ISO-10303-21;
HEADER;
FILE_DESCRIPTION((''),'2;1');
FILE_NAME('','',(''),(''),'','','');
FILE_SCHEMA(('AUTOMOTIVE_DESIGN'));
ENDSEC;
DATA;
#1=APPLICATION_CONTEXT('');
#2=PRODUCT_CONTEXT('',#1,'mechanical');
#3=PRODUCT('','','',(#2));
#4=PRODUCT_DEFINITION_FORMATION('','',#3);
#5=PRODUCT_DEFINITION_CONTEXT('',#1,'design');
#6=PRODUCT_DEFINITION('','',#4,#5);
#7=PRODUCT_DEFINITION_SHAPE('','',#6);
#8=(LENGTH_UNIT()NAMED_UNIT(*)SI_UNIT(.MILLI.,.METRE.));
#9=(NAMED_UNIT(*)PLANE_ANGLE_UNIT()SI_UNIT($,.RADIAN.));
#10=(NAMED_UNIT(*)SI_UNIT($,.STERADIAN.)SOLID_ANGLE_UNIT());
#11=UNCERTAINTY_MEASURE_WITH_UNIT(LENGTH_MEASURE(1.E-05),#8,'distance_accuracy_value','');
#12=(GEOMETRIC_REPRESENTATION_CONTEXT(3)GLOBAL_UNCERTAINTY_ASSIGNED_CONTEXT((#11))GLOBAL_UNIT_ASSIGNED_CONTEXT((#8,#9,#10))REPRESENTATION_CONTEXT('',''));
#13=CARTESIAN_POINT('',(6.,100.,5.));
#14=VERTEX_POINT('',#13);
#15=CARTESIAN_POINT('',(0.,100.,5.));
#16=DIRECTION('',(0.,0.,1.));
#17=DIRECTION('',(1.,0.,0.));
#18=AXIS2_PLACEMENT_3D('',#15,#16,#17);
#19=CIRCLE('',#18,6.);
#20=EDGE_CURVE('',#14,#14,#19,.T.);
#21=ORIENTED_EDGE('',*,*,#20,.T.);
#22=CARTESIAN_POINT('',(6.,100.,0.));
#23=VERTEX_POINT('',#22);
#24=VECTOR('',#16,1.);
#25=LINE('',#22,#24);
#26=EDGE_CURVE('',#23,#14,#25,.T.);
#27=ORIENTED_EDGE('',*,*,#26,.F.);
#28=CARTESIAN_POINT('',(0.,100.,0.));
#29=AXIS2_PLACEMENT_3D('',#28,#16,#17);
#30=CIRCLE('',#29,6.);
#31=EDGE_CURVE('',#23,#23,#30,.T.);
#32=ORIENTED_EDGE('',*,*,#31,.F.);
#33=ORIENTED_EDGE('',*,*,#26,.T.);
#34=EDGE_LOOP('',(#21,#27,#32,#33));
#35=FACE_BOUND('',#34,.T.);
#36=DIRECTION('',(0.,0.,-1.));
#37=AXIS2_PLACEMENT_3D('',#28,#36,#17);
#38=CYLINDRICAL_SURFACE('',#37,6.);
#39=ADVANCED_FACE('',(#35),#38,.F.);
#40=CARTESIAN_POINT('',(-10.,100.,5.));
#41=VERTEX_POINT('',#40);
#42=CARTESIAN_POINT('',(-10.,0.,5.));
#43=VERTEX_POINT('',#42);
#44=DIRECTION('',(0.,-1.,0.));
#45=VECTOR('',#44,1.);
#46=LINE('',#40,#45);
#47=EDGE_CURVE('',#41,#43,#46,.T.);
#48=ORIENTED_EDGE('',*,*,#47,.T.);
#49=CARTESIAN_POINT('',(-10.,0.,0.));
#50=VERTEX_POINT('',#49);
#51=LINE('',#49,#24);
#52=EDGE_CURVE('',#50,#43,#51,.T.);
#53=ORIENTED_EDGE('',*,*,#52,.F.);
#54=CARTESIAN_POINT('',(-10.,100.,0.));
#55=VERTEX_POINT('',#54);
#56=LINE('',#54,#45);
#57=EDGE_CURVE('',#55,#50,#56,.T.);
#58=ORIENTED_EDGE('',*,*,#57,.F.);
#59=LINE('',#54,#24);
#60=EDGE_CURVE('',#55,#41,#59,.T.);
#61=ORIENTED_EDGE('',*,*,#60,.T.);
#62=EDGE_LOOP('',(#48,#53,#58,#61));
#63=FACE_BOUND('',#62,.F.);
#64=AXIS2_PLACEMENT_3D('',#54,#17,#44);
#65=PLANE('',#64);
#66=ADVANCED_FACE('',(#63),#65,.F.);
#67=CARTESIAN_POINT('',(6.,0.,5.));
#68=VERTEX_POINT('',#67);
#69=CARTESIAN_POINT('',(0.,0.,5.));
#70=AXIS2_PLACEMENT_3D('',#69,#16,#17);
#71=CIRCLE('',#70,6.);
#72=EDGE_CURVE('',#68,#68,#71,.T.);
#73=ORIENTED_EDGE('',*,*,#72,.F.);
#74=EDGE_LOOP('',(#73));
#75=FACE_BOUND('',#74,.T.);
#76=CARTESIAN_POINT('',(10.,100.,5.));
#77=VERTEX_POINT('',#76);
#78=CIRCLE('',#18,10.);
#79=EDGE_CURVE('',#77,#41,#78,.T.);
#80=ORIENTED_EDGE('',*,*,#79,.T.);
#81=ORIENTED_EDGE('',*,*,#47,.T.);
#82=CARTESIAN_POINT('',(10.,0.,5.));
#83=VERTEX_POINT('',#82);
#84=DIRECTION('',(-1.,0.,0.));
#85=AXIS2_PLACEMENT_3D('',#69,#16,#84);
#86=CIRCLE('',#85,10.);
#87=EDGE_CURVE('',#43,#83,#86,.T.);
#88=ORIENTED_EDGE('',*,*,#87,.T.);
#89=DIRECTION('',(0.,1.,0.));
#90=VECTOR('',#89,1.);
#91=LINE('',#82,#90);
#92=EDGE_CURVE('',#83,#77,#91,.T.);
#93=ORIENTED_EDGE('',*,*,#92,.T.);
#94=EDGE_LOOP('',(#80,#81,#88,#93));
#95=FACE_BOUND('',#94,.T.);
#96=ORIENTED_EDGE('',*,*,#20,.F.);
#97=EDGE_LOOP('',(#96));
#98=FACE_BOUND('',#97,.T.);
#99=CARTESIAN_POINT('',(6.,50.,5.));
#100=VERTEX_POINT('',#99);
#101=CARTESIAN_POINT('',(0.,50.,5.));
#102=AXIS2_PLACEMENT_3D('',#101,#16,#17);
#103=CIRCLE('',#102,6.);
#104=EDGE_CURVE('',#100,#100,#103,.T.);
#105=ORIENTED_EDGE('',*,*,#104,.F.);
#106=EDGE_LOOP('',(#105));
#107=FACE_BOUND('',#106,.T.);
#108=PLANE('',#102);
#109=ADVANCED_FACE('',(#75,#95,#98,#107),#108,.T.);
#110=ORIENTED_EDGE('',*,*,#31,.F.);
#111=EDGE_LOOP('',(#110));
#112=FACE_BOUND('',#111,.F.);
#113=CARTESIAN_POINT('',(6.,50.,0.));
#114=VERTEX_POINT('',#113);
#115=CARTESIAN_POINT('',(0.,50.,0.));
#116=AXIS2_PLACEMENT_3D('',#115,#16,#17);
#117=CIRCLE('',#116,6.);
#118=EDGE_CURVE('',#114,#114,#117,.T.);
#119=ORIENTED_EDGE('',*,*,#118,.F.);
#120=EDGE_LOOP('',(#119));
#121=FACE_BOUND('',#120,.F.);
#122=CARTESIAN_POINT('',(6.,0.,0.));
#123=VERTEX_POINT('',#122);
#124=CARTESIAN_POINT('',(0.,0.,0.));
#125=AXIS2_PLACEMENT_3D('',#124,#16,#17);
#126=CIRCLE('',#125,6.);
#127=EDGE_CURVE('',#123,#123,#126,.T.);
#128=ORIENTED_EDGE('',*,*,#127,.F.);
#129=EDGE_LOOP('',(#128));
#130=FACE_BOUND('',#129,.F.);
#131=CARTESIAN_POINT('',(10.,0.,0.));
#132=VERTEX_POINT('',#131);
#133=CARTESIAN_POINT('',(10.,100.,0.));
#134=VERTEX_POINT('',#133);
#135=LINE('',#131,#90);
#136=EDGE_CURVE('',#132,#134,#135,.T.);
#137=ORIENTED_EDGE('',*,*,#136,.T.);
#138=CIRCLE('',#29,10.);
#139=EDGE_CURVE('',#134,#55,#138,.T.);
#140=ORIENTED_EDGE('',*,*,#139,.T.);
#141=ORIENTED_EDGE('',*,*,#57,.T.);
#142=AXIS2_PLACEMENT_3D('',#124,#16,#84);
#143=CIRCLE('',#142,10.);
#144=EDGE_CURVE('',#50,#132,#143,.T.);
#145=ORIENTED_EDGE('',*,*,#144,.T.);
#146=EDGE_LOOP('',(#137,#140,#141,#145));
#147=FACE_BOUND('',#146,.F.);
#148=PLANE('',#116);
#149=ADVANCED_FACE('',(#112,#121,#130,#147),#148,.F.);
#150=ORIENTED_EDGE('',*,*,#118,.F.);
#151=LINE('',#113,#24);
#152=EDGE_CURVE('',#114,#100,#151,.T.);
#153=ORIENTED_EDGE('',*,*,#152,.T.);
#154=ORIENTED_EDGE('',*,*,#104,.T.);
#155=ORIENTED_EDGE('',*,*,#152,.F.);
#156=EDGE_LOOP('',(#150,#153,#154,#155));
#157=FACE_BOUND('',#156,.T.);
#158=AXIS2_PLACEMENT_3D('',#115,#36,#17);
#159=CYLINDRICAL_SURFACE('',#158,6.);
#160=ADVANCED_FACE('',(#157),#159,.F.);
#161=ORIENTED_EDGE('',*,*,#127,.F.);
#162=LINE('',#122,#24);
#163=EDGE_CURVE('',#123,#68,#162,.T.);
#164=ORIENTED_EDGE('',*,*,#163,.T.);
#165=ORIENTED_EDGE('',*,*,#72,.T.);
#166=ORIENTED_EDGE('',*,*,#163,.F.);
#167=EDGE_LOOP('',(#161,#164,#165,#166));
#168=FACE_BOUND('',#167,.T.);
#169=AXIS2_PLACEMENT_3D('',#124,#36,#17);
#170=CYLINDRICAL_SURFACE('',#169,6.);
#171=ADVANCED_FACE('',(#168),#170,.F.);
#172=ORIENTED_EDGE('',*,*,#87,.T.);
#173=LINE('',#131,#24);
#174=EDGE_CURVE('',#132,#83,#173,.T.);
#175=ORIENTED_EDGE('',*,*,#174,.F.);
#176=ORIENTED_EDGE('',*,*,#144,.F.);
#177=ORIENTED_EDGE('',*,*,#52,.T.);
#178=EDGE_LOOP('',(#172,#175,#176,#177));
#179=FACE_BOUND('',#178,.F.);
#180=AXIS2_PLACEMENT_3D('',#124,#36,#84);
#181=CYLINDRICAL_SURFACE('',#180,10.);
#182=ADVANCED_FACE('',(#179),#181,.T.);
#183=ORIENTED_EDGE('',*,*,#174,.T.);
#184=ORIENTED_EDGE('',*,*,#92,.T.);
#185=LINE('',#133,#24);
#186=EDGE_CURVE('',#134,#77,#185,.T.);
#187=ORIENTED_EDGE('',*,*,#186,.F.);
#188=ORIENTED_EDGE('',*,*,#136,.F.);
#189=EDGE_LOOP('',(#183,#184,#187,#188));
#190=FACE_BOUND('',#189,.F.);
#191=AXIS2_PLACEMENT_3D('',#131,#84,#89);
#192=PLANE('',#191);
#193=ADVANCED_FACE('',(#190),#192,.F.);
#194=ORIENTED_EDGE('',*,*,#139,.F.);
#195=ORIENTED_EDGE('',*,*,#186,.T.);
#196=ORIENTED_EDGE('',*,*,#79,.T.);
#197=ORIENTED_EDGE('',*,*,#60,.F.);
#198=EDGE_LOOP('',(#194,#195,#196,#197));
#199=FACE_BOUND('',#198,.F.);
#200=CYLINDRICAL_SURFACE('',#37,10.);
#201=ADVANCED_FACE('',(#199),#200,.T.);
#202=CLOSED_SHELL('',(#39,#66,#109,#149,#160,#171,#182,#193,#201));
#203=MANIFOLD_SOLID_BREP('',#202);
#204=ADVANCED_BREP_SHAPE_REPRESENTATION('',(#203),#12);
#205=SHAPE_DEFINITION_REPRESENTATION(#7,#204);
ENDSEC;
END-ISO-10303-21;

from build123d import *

# Parameters (mm, degrees)
F0_R     = 6
F1_DEPTH = 5


with BuildPart() as f1:
    # F0 (on Top) → F1 (new body)
    with BuildSketch(Plane.XY):
        with BuildLine():
            Line((-10, 100), (-10, 0))
            ThreePointArc((-10, 0), (0, -10), (10, 0))
            Line((10, 0), (10, 100))
            ThreePointArc((10, 100), (0, 110), (-10, 100))
        make_face()
        Circle(F0_R, mode=Mode.SUBTRACT)
        with Locations((0, 50)):
            Circle(F0_R, mode=Mode.SUBTRACT)
        with Locations((0, 100)):
            Circle(F0_R, mode=Mode.SUBTRACT)
    extrude(amount=F1_DEPTH)


solid = f1.part
